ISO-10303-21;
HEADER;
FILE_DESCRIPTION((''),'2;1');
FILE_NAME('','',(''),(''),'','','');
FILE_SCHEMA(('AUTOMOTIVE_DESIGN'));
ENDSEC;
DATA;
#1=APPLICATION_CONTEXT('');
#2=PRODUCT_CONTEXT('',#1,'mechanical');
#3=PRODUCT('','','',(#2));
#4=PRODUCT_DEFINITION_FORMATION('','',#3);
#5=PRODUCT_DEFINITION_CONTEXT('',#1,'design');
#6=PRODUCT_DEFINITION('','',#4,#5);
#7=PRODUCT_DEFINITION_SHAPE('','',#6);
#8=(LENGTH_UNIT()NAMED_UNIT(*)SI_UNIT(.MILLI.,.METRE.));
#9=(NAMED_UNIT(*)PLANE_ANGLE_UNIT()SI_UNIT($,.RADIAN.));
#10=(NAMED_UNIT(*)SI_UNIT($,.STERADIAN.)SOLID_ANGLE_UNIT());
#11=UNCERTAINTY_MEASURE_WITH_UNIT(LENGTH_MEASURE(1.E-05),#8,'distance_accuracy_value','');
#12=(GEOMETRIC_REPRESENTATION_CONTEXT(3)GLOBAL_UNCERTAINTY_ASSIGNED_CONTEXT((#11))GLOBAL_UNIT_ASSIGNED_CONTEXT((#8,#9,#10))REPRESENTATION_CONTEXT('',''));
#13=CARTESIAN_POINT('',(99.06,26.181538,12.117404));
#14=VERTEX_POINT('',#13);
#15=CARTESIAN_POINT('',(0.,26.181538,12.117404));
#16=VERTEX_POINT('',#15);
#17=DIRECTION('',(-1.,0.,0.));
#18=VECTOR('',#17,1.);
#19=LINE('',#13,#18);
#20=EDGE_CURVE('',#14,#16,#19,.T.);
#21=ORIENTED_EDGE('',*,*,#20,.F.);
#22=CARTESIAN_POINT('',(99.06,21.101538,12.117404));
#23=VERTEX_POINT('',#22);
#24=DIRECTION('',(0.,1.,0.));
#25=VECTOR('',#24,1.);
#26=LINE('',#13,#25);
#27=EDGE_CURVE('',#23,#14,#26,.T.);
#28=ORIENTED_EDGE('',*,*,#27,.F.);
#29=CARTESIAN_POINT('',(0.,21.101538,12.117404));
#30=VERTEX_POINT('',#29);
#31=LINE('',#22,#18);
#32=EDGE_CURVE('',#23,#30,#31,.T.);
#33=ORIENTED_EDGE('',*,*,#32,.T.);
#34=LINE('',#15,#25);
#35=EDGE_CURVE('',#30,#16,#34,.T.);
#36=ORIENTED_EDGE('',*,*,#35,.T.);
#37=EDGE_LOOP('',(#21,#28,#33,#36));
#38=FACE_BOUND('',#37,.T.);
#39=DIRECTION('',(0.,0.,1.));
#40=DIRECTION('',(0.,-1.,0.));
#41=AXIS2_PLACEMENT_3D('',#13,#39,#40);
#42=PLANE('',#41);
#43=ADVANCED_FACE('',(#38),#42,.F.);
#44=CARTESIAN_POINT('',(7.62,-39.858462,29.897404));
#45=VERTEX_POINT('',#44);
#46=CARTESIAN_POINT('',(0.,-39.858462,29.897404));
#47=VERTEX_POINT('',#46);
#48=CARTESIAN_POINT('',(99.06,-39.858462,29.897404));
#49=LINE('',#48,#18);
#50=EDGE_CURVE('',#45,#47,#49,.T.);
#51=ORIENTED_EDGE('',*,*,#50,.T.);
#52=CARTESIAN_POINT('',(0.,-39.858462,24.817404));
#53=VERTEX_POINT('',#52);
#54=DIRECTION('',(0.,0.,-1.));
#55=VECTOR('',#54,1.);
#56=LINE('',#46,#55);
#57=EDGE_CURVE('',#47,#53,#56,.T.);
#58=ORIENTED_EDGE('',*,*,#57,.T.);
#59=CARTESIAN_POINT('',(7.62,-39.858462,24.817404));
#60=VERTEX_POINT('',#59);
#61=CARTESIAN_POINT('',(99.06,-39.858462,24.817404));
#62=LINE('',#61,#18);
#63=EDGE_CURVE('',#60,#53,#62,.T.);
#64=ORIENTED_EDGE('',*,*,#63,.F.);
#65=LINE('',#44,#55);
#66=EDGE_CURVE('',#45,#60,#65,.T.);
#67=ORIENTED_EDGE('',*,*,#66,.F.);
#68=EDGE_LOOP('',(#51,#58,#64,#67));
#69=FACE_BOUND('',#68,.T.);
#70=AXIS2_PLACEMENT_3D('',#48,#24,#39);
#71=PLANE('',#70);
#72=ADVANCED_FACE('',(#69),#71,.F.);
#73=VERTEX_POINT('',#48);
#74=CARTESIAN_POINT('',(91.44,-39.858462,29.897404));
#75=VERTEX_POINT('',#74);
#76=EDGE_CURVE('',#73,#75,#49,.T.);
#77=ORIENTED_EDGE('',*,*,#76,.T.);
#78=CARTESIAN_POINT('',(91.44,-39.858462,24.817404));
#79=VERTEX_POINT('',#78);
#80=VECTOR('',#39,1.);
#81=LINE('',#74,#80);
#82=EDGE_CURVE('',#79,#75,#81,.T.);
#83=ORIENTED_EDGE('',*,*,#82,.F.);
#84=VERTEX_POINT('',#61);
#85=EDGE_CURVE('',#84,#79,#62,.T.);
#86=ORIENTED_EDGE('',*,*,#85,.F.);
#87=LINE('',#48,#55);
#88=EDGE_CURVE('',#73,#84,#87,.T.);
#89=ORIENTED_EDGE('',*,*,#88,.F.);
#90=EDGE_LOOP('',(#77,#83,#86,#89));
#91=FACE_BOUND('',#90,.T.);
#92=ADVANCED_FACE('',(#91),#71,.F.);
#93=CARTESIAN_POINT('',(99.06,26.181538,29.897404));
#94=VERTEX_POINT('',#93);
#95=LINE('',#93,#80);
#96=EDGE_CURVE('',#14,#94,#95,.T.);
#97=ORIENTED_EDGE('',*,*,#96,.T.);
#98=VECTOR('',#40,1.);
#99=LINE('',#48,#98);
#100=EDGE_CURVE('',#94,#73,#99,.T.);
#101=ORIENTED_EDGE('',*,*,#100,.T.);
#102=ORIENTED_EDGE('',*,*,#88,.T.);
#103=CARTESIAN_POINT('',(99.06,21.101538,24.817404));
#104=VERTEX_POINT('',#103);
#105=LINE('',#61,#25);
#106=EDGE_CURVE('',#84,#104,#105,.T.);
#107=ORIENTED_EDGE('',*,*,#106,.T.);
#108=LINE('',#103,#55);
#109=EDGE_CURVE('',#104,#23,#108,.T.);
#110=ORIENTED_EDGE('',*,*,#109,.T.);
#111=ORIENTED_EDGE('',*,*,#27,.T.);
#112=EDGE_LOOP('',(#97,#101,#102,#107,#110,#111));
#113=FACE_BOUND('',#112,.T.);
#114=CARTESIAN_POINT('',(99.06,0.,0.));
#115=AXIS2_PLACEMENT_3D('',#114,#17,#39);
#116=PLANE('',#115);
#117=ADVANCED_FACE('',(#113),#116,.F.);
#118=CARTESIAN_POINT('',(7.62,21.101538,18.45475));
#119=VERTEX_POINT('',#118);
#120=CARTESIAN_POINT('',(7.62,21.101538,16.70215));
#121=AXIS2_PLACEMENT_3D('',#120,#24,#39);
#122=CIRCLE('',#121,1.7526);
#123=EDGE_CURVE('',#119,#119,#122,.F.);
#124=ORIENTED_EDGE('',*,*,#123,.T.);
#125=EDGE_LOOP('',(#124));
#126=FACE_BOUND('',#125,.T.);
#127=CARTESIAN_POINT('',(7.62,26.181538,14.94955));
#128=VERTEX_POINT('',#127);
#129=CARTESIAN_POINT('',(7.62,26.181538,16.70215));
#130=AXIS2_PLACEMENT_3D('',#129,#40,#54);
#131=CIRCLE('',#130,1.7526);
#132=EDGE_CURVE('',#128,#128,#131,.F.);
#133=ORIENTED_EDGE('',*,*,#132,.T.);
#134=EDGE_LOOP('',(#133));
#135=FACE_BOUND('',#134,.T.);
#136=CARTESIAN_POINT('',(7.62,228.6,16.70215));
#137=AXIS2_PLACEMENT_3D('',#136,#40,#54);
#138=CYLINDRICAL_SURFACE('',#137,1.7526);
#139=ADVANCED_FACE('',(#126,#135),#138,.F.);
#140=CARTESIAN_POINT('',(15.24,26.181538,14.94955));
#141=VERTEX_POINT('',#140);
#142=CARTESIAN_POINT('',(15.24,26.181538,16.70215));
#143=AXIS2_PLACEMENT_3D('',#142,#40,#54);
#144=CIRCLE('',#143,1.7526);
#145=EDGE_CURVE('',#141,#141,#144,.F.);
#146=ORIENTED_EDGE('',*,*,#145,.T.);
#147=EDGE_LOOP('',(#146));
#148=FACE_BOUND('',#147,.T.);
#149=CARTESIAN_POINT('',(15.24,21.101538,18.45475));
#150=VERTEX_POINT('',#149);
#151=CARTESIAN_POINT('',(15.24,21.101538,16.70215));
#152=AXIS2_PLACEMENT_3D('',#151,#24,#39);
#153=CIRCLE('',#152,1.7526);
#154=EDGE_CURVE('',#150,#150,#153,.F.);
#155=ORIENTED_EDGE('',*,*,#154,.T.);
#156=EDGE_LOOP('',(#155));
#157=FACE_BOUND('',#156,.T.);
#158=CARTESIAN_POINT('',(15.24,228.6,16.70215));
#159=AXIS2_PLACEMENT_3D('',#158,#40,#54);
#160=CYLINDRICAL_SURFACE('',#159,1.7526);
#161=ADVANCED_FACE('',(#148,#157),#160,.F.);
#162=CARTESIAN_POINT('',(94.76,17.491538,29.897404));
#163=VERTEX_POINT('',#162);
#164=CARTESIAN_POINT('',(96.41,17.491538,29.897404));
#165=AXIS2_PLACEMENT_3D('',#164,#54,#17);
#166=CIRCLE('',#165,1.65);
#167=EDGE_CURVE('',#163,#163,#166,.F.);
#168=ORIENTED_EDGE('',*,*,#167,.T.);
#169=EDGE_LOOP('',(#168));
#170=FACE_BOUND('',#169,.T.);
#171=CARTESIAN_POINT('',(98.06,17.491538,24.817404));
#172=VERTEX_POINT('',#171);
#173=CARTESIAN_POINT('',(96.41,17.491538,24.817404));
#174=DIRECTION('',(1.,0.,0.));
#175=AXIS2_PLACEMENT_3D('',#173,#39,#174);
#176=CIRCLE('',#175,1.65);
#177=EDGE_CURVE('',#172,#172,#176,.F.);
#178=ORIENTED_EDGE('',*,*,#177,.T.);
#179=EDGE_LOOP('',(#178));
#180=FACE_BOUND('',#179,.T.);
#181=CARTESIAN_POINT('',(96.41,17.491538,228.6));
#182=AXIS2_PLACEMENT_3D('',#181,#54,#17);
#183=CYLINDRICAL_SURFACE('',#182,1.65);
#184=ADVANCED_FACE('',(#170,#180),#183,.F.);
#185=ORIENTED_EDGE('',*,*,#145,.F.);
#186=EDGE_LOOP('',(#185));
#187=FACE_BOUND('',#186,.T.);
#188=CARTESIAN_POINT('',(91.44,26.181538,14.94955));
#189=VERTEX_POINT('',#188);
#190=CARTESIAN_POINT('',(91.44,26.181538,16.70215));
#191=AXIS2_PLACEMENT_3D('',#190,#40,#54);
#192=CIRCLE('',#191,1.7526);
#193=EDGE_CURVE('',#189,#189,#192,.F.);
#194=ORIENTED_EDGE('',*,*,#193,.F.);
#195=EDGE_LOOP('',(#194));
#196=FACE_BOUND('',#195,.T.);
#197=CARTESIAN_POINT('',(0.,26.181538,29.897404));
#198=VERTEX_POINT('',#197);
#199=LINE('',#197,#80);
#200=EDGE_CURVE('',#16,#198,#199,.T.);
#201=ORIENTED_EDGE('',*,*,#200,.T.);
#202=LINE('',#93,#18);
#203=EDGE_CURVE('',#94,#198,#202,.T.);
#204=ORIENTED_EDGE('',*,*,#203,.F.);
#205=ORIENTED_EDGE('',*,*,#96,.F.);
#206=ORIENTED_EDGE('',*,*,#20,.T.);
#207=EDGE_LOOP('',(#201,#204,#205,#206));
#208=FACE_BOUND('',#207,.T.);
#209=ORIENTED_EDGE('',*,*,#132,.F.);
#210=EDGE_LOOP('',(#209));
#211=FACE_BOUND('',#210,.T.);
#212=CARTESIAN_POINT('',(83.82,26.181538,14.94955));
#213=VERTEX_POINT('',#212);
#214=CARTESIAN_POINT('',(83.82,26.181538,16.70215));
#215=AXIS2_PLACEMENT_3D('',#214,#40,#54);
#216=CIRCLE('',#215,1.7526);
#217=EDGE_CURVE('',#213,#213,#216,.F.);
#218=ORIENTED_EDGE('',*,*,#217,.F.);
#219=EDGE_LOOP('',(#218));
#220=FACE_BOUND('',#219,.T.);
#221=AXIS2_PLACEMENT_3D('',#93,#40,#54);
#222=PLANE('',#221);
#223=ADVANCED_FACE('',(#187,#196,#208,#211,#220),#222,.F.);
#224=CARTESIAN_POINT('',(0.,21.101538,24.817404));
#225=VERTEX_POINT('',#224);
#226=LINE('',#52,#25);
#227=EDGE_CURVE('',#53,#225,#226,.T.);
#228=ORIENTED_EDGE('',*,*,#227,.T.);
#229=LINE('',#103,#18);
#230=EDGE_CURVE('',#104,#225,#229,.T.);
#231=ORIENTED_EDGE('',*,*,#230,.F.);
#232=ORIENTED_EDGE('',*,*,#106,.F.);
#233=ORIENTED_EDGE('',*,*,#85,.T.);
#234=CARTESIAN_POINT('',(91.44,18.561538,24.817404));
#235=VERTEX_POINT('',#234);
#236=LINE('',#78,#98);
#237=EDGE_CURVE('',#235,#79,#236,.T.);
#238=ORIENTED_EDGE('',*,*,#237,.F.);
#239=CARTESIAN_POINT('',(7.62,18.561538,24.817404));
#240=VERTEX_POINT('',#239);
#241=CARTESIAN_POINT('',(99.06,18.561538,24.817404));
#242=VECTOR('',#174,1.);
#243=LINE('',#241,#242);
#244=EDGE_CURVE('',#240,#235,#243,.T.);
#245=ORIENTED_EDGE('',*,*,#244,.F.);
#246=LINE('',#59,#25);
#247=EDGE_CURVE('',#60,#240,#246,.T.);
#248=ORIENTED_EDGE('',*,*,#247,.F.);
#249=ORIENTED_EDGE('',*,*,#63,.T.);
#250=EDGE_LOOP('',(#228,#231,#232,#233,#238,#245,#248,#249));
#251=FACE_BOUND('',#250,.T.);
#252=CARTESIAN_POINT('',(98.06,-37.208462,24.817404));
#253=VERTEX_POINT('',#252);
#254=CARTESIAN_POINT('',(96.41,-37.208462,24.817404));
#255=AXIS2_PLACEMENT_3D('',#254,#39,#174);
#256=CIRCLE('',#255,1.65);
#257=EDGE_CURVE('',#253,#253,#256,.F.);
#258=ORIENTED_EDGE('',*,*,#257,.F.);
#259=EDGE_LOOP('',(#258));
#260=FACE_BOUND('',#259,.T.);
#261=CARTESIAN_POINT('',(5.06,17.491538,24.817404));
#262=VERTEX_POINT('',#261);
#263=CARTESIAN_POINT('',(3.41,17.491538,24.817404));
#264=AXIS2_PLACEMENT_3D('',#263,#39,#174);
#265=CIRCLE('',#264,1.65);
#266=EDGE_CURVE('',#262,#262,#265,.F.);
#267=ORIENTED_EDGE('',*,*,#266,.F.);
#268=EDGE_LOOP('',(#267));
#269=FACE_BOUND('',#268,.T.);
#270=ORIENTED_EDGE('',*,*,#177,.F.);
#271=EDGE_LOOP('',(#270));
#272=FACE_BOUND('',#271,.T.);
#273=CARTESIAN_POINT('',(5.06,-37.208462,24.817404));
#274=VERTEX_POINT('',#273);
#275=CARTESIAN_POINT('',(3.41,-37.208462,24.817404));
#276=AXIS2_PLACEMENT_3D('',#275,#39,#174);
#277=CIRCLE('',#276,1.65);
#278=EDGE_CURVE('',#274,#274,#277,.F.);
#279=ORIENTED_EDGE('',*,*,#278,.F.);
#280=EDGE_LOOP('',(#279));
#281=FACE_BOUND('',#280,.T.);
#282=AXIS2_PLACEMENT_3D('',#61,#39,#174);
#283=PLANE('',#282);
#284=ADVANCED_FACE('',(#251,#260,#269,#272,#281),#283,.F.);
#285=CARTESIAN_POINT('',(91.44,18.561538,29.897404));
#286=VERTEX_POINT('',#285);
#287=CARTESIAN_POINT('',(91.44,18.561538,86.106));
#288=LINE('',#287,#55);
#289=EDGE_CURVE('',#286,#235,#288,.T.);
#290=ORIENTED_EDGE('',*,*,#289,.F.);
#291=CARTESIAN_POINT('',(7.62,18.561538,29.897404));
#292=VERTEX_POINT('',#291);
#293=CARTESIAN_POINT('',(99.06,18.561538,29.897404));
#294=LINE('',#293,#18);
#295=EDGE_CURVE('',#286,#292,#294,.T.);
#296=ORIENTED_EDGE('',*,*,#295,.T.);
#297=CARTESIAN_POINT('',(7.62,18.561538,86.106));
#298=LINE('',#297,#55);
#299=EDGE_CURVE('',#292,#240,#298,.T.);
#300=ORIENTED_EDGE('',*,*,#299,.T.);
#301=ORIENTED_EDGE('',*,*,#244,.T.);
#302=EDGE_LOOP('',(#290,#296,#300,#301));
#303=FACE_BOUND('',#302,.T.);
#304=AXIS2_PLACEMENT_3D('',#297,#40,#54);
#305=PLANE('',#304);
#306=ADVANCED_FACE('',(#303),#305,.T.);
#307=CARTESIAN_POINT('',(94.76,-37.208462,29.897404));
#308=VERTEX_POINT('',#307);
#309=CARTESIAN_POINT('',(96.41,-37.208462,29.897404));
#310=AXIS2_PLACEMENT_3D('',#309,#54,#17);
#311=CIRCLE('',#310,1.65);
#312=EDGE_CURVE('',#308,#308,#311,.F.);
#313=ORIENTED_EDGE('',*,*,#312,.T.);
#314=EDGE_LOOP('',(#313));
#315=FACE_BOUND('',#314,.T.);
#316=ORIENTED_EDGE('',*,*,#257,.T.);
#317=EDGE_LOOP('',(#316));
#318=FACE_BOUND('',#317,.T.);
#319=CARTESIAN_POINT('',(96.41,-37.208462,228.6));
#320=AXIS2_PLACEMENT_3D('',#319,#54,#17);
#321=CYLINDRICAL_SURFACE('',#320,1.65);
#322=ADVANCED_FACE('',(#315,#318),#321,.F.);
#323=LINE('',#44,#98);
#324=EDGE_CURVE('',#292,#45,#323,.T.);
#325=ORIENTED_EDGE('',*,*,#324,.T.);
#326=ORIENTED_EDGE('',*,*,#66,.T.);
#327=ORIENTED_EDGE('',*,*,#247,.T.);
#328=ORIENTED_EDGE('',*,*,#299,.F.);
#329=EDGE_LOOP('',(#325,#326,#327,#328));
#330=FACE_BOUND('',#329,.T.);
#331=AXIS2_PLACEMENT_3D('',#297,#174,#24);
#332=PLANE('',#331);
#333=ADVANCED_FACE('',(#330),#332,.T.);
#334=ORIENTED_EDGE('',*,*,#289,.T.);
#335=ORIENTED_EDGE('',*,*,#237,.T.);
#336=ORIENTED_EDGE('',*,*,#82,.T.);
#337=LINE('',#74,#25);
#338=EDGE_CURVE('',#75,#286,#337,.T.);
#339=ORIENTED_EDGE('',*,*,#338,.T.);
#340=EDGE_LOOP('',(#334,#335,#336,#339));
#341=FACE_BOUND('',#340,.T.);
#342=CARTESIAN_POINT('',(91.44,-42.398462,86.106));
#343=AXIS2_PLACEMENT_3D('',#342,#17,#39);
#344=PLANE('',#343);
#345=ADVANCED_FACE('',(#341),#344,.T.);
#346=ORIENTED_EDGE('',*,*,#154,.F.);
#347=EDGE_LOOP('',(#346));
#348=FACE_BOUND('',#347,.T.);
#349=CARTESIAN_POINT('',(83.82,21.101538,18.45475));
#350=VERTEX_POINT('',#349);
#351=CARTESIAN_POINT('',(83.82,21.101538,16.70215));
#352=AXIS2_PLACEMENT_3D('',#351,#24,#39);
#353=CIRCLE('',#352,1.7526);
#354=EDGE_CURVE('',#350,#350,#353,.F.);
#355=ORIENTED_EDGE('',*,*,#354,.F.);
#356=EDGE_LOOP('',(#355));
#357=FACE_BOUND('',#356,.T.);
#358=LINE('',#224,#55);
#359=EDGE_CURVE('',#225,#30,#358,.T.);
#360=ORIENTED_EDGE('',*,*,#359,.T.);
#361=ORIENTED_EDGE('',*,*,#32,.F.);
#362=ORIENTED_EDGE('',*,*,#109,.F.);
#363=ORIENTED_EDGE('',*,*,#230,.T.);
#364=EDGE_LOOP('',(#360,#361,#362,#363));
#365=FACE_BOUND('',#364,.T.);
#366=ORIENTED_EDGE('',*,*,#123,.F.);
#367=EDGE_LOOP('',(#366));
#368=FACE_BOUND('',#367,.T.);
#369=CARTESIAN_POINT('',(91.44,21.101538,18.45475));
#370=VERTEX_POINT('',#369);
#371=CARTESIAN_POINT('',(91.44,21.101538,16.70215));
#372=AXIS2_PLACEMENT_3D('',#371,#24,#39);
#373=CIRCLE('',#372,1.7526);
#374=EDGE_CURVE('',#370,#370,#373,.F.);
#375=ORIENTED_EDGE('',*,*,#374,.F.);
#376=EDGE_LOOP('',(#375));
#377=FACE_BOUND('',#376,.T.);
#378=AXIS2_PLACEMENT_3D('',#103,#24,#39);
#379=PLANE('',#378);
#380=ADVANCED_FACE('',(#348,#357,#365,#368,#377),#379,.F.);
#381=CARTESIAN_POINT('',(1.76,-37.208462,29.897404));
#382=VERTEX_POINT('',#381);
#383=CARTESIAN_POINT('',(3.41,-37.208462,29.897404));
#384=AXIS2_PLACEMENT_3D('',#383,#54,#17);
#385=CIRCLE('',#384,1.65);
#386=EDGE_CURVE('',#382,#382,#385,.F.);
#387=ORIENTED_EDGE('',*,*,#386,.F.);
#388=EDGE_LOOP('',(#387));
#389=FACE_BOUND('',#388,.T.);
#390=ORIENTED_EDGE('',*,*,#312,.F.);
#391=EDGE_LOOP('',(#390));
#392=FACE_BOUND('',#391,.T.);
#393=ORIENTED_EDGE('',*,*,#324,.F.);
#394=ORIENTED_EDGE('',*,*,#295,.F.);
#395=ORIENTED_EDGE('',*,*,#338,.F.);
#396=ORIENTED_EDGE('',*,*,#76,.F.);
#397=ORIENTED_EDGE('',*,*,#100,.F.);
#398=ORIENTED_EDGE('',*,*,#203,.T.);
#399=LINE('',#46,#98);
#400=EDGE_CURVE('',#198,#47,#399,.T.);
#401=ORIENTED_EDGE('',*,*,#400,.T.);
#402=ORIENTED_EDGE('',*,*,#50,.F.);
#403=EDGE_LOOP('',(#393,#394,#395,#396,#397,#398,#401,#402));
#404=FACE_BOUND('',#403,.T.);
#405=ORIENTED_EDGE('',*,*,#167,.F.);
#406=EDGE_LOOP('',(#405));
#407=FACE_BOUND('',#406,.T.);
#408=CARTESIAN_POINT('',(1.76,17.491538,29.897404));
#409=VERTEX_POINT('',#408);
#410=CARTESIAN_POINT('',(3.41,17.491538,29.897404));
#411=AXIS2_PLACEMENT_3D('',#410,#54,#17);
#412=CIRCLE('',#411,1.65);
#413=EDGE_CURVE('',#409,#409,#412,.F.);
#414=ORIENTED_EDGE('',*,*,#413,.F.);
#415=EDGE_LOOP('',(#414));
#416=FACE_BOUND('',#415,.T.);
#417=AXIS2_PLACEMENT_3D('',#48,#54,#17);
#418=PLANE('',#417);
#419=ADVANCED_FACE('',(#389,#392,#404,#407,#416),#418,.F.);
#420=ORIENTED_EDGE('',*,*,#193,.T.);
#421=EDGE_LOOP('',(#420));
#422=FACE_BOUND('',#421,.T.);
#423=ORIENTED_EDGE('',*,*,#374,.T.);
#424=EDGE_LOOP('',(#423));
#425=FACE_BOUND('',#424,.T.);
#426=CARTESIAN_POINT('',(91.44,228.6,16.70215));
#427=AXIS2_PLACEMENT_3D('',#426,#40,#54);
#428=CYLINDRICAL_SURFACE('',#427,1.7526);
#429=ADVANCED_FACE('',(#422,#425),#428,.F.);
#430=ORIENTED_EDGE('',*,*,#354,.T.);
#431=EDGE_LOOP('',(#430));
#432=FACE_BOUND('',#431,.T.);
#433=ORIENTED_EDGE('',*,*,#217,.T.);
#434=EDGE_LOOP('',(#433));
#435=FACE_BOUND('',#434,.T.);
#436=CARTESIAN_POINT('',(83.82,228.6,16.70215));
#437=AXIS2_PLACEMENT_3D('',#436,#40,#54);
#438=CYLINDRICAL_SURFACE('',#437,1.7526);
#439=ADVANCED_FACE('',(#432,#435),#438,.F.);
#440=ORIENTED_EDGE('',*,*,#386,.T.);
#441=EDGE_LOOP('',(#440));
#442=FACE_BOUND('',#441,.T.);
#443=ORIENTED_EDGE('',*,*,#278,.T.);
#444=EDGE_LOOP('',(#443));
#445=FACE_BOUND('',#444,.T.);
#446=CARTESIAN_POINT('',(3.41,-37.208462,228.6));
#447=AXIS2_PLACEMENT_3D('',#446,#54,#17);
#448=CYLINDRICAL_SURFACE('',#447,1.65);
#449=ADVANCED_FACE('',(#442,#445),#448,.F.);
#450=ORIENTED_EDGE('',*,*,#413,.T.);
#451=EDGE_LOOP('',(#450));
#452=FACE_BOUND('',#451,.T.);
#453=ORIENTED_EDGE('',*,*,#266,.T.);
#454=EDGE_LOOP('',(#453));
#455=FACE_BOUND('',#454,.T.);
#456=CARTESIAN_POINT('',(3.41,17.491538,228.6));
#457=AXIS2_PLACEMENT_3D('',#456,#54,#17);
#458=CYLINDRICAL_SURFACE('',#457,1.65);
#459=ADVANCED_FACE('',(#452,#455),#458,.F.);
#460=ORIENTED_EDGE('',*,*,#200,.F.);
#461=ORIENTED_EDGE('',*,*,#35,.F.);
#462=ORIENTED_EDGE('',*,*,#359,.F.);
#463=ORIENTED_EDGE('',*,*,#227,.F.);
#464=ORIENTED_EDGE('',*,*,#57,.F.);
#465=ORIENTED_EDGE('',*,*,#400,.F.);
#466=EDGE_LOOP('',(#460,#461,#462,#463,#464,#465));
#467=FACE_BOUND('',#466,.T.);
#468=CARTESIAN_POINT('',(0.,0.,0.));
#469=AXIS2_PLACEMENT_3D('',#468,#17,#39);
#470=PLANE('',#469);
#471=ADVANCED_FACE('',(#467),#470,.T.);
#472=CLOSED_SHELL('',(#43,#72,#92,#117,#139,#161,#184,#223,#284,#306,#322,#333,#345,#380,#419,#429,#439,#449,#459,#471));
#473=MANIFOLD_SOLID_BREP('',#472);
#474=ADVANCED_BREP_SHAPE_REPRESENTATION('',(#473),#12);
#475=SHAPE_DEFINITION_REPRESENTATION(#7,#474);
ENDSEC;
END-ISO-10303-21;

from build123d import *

# Parameters (mm, degrees)
BOSS_EXTRUDE1_DEPTH = 99.06
SKETCH2_W           = 83.82
SKETCH2_H           = 60.96
CUT_EXTRUDE1_DEPTH  = 86.106
SKETCH3_R           = 1.65
CUT_EXTRUDE2_DEPTH  = 228.6
SKETCH4_R           = 1.7526
CUT_EXTRUDE3_DEPTH  = 228.6


with BuildPart() as part:
    # Sketch1 → Boss-Extrude1 (new body)
    with BuildSketch(Plane(origin=(0, 0, 0), x_dir=(0, 0, -1), z_dir=(1, 0, 0))):
        Polygon((-29.897403577, 26.181538462), (-12.117403577, 26.181538462), (-12.117403577, 21.101538462), (-24.817403577, 21.101538462), (-24.817403577, -39.858461538), (-29.897403577, -39.858461538), align=None)
    extrude(amount=BOSS_EXTRUDE1_DEPTH)

    # Sketch2 → Cut-Extrude1 (cut)
    with BuildSketch(Plane.XY):
        with Locations((49.53, -11.918461538)):
            Rectangle(SKETCH2_W, SKETCH2_H)
    extrude(amount=CUT_EXTRUDE1_DEPTH, mode=Mode.SUBTRACT)

    # Sketch3 → Cut-Extrude2 (cut)
    with BuildSketch(Plane.XY):
        with Locations(Location((96.41, -37.208461538, 0), (0, 0, 180))):
            Circle(SKETCH3_R)
        with Locations(Location((96.41, 17.491538462, 0), (0, 0, 180))):
            Circle(SKETCH3_R)
        with Locations(Location((3.41, 17.491538462, 0), (0, 0, 180))):
            Circle(SKETCH3_R)
        with Locations(Location((3.41, -37.208461538, 0), (0, 0, 180))):
            Circle(SKETCH3_R)
    extrude(amount=CUT_EXTRUDE2_DEPTH, mode=Mode.SUBTRACT)

    # Sketch4 → Cut-Extrude3 (cut)
    with BuildSketch(Plane(origin=(0, 0, 0), x_dir=(1, 0, 0), z_dir=(0, 1, 0))):
        with Locations(Location((7.62, -16.70215043, 0), (0, 0, 90))):
            Circle(SKETCH4_R)
        with Locations(Location((15.24, -16.70215043, 0), (0, 0, 90))):
            Circle(SKETCH4_R)
        with Locations(Location((83.82, -16.70215043, 0), (0, 0, 90))):
            Circle(SKETCH4_R)
        with Locations(Location((91.44, -16.70215043, 0), (0, 0, 90))):
            Circle(SKETCH4_R)
    extrude(amount=CUT_EXTRUDE3_DEPTH, mode=Mode.SUBTRACT)


solid = part.part
